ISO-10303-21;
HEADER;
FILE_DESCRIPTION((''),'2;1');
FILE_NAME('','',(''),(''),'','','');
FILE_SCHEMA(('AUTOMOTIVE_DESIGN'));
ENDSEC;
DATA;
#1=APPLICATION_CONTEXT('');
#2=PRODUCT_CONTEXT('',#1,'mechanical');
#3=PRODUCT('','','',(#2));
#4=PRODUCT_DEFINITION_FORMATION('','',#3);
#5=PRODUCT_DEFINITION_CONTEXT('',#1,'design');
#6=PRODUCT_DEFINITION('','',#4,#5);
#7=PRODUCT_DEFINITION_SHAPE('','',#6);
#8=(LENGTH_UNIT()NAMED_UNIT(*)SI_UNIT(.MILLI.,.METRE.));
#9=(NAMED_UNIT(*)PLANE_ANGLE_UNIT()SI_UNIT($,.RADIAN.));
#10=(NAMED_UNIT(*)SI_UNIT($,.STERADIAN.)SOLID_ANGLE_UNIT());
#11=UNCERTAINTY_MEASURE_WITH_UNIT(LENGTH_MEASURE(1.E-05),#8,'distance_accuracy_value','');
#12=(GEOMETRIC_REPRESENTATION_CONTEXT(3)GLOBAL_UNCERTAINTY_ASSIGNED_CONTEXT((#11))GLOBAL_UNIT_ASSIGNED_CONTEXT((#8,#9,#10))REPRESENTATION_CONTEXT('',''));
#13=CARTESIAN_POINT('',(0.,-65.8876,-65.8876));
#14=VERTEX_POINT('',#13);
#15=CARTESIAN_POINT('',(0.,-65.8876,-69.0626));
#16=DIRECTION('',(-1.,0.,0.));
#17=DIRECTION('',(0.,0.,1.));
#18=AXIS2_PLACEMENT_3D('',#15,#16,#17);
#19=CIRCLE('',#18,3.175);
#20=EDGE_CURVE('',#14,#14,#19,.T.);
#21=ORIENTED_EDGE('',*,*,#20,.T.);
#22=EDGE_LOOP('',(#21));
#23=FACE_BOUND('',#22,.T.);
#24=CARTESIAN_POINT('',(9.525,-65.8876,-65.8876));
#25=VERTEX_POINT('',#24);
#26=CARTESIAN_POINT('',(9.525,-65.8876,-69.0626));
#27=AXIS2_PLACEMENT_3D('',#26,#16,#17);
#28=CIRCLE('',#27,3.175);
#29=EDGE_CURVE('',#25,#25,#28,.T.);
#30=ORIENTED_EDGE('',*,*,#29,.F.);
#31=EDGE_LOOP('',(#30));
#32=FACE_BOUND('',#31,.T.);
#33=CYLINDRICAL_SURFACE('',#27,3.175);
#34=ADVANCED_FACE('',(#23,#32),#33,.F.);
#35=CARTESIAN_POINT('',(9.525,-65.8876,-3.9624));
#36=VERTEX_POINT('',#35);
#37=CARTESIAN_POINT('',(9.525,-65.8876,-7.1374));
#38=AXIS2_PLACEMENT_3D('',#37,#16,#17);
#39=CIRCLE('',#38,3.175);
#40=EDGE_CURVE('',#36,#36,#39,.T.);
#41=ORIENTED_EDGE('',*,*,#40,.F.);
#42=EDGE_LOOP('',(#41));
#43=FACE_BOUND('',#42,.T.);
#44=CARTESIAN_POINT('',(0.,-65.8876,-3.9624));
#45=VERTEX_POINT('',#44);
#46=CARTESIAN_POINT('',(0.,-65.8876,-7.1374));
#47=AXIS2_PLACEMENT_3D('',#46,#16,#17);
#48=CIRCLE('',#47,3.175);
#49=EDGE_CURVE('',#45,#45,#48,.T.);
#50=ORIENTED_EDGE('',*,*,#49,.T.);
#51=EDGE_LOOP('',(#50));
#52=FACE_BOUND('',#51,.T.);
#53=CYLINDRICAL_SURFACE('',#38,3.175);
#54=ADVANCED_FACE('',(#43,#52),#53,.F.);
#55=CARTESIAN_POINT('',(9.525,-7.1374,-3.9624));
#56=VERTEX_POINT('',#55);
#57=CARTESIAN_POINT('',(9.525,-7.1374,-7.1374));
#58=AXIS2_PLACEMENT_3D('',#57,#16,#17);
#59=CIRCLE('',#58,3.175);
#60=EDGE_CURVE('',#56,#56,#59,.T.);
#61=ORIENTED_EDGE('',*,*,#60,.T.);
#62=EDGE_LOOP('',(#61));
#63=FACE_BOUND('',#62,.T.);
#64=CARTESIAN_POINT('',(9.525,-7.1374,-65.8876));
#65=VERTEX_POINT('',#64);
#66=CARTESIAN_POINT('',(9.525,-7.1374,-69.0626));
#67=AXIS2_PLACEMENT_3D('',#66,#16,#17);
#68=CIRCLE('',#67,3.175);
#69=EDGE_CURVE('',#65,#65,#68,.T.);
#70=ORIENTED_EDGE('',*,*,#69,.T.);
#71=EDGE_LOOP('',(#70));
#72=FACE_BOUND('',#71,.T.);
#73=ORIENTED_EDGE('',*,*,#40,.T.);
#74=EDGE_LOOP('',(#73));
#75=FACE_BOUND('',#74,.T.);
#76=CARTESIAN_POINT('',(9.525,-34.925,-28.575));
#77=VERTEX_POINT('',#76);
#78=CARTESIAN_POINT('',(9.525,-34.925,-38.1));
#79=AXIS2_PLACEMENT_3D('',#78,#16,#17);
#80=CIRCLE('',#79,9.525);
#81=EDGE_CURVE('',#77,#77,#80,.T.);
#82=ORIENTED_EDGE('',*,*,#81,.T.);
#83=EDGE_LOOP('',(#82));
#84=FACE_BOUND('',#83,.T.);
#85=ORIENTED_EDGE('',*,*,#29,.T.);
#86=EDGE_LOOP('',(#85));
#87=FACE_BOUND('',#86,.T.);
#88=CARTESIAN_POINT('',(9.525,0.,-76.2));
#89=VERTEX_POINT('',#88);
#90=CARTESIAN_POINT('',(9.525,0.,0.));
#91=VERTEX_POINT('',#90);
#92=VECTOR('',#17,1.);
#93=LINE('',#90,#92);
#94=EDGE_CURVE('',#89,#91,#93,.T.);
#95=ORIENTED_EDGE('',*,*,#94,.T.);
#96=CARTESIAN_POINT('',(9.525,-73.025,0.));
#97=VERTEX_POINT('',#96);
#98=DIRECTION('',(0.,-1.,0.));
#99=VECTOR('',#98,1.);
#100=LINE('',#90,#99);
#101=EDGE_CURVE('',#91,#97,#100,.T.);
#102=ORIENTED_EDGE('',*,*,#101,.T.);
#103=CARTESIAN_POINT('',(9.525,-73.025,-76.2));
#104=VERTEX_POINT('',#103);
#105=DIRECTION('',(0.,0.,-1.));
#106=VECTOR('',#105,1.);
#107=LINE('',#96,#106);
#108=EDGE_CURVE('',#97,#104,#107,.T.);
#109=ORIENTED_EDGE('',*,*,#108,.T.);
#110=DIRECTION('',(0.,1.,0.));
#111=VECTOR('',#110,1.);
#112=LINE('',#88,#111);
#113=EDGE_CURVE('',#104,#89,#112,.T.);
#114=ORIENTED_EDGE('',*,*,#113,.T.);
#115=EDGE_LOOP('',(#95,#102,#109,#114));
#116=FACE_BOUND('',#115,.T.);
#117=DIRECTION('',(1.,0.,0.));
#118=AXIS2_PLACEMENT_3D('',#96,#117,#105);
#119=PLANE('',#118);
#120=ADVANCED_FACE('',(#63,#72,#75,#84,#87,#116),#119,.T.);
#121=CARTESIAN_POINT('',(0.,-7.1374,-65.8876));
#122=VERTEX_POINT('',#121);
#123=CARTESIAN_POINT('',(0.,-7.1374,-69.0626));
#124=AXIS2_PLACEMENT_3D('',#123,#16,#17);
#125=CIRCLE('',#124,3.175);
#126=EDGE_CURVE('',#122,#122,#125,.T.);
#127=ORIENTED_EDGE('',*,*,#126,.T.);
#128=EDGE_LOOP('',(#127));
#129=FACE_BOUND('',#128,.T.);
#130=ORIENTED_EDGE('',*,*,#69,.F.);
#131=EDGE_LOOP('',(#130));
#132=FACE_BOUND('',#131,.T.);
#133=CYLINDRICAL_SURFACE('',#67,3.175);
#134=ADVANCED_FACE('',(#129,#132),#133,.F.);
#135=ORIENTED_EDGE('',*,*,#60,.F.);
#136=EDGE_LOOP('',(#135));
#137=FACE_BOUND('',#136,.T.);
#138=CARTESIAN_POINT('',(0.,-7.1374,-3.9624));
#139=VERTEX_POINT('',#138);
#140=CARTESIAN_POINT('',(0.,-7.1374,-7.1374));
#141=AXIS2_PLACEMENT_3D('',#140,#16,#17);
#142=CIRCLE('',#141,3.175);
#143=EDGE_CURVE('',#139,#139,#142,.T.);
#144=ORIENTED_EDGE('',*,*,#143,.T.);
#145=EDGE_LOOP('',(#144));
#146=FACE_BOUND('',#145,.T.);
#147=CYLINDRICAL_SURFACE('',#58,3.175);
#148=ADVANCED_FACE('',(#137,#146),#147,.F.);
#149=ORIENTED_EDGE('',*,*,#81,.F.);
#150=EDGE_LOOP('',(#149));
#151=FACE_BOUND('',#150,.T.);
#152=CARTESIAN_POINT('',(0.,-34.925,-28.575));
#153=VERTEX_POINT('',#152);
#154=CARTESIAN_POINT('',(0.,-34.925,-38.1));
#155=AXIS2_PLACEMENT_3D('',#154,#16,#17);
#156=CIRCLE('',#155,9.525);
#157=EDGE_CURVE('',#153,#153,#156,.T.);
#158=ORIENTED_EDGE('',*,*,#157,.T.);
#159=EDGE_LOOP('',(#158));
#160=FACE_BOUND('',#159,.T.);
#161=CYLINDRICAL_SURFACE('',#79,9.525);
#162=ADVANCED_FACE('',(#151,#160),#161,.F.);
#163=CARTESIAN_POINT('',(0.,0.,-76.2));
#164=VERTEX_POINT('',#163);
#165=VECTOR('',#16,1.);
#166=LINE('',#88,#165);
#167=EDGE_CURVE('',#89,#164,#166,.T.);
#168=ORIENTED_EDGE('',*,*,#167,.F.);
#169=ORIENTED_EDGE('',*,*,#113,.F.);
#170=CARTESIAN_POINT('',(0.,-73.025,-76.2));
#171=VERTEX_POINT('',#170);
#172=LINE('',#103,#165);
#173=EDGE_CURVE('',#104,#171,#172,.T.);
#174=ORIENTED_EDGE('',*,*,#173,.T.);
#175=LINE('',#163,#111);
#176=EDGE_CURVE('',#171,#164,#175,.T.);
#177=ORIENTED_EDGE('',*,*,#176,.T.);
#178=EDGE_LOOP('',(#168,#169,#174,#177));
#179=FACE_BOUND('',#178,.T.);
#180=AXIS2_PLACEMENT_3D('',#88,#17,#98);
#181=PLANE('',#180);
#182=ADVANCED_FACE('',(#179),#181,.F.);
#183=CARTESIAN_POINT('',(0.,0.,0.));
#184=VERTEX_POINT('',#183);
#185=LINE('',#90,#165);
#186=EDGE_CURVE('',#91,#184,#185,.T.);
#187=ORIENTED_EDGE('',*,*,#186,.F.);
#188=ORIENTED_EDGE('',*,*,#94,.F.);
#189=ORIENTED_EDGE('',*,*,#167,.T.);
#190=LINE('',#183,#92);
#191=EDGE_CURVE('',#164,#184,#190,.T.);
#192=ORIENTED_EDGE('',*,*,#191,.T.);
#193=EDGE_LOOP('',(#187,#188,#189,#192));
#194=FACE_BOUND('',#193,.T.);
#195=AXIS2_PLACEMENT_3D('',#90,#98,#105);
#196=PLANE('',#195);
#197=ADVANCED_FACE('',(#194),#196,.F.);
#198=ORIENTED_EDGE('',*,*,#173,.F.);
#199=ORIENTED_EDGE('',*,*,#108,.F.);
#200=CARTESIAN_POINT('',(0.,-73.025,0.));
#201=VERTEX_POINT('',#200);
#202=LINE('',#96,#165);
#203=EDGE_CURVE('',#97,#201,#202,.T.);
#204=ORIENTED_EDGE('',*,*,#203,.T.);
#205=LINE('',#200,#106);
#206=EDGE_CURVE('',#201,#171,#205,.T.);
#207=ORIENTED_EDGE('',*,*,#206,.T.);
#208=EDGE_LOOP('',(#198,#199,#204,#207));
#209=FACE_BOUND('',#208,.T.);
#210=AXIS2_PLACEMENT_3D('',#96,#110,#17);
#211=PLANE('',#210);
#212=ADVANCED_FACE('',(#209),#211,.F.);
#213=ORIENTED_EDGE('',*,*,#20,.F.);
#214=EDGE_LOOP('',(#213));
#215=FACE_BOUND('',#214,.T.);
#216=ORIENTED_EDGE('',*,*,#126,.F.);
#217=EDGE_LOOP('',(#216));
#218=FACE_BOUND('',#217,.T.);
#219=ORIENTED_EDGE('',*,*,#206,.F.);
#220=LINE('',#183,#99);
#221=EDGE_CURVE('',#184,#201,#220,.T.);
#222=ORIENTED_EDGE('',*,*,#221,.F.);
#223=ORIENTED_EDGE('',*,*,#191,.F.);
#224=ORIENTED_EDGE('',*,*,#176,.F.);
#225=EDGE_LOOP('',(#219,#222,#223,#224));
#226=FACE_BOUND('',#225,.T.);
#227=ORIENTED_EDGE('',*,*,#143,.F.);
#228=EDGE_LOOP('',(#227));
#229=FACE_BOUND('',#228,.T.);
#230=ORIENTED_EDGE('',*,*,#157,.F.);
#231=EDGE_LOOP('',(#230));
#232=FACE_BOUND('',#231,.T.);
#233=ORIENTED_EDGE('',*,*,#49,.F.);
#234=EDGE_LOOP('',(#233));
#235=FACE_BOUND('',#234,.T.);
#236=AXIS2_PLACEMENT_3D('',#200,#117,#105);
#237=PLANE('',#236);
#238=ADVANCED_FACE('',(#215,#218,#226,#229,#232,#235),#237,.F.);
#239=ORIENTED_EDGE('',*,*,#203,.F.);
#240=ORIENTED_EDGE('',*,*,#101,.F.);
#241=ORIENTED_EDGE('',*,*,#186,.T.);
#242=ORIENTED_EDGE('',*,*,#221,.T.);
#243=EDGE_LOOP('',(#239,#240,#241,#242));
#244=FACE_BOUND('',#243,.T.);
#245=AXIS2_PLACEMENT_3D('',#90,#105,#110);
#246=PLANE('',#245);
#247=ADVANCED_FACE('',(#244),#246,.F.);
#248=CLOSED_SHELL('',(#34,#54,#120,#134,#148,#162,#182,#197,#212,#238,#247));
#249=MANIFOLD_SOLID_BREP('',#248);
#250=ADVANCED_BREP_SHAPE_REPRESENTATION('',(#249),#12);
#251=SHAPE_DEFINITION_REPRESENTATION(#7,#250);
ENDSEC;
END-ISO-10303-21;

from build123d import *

# Parameters (mm, degrees)
SKETCH1_W          = 76.2
SKETCH1_H          = 73.025
EXTRUDE1_DEPTH     = 9.525
SKETCH8_R          = 3.175
SKETCH8_R_2        = 9.525
CUT_EXTRUDE5_DEPTH = 10.525


with BuildPart() as part:
    # Sketch1 → Extrude1 (new body)
    with BuildSketch(Plane(origin=(0, 0, 0), x_dir=(0, 0, -1), z_dir=(1, 0, 0))):
        with Locations((38.1, -36.5125)):
            Rectangle(SKETCH1_W, SKETCH1_H)
    extrude(amount=EXTRUDE1_DEPTH)

    # Sketch8 → Cut-Extrude5 (cut, through all)
    with BuildSketch(Plane.ZY):
        with Locations((-7.1374, -7.1374)):
            Circle(SKETCH8_R)
        with Locations((-69.0626, -7.1374)):
            Circle(SKETCH8_R)
        with Locations((-69.0626, -65.8876)):
            Circle(SKETCH8_R)
        with Locations((-7.1374, -65.8876)):
            Circle(SKETCH8_R)
        with Locations((-38.1, -34.925)):
            Circle(SKETCH8_R_2)
    extrude(amount=-CUT_EXTRUDE5_DEPTH, mode=Mode.SUBTRACT)


solid = part.part
